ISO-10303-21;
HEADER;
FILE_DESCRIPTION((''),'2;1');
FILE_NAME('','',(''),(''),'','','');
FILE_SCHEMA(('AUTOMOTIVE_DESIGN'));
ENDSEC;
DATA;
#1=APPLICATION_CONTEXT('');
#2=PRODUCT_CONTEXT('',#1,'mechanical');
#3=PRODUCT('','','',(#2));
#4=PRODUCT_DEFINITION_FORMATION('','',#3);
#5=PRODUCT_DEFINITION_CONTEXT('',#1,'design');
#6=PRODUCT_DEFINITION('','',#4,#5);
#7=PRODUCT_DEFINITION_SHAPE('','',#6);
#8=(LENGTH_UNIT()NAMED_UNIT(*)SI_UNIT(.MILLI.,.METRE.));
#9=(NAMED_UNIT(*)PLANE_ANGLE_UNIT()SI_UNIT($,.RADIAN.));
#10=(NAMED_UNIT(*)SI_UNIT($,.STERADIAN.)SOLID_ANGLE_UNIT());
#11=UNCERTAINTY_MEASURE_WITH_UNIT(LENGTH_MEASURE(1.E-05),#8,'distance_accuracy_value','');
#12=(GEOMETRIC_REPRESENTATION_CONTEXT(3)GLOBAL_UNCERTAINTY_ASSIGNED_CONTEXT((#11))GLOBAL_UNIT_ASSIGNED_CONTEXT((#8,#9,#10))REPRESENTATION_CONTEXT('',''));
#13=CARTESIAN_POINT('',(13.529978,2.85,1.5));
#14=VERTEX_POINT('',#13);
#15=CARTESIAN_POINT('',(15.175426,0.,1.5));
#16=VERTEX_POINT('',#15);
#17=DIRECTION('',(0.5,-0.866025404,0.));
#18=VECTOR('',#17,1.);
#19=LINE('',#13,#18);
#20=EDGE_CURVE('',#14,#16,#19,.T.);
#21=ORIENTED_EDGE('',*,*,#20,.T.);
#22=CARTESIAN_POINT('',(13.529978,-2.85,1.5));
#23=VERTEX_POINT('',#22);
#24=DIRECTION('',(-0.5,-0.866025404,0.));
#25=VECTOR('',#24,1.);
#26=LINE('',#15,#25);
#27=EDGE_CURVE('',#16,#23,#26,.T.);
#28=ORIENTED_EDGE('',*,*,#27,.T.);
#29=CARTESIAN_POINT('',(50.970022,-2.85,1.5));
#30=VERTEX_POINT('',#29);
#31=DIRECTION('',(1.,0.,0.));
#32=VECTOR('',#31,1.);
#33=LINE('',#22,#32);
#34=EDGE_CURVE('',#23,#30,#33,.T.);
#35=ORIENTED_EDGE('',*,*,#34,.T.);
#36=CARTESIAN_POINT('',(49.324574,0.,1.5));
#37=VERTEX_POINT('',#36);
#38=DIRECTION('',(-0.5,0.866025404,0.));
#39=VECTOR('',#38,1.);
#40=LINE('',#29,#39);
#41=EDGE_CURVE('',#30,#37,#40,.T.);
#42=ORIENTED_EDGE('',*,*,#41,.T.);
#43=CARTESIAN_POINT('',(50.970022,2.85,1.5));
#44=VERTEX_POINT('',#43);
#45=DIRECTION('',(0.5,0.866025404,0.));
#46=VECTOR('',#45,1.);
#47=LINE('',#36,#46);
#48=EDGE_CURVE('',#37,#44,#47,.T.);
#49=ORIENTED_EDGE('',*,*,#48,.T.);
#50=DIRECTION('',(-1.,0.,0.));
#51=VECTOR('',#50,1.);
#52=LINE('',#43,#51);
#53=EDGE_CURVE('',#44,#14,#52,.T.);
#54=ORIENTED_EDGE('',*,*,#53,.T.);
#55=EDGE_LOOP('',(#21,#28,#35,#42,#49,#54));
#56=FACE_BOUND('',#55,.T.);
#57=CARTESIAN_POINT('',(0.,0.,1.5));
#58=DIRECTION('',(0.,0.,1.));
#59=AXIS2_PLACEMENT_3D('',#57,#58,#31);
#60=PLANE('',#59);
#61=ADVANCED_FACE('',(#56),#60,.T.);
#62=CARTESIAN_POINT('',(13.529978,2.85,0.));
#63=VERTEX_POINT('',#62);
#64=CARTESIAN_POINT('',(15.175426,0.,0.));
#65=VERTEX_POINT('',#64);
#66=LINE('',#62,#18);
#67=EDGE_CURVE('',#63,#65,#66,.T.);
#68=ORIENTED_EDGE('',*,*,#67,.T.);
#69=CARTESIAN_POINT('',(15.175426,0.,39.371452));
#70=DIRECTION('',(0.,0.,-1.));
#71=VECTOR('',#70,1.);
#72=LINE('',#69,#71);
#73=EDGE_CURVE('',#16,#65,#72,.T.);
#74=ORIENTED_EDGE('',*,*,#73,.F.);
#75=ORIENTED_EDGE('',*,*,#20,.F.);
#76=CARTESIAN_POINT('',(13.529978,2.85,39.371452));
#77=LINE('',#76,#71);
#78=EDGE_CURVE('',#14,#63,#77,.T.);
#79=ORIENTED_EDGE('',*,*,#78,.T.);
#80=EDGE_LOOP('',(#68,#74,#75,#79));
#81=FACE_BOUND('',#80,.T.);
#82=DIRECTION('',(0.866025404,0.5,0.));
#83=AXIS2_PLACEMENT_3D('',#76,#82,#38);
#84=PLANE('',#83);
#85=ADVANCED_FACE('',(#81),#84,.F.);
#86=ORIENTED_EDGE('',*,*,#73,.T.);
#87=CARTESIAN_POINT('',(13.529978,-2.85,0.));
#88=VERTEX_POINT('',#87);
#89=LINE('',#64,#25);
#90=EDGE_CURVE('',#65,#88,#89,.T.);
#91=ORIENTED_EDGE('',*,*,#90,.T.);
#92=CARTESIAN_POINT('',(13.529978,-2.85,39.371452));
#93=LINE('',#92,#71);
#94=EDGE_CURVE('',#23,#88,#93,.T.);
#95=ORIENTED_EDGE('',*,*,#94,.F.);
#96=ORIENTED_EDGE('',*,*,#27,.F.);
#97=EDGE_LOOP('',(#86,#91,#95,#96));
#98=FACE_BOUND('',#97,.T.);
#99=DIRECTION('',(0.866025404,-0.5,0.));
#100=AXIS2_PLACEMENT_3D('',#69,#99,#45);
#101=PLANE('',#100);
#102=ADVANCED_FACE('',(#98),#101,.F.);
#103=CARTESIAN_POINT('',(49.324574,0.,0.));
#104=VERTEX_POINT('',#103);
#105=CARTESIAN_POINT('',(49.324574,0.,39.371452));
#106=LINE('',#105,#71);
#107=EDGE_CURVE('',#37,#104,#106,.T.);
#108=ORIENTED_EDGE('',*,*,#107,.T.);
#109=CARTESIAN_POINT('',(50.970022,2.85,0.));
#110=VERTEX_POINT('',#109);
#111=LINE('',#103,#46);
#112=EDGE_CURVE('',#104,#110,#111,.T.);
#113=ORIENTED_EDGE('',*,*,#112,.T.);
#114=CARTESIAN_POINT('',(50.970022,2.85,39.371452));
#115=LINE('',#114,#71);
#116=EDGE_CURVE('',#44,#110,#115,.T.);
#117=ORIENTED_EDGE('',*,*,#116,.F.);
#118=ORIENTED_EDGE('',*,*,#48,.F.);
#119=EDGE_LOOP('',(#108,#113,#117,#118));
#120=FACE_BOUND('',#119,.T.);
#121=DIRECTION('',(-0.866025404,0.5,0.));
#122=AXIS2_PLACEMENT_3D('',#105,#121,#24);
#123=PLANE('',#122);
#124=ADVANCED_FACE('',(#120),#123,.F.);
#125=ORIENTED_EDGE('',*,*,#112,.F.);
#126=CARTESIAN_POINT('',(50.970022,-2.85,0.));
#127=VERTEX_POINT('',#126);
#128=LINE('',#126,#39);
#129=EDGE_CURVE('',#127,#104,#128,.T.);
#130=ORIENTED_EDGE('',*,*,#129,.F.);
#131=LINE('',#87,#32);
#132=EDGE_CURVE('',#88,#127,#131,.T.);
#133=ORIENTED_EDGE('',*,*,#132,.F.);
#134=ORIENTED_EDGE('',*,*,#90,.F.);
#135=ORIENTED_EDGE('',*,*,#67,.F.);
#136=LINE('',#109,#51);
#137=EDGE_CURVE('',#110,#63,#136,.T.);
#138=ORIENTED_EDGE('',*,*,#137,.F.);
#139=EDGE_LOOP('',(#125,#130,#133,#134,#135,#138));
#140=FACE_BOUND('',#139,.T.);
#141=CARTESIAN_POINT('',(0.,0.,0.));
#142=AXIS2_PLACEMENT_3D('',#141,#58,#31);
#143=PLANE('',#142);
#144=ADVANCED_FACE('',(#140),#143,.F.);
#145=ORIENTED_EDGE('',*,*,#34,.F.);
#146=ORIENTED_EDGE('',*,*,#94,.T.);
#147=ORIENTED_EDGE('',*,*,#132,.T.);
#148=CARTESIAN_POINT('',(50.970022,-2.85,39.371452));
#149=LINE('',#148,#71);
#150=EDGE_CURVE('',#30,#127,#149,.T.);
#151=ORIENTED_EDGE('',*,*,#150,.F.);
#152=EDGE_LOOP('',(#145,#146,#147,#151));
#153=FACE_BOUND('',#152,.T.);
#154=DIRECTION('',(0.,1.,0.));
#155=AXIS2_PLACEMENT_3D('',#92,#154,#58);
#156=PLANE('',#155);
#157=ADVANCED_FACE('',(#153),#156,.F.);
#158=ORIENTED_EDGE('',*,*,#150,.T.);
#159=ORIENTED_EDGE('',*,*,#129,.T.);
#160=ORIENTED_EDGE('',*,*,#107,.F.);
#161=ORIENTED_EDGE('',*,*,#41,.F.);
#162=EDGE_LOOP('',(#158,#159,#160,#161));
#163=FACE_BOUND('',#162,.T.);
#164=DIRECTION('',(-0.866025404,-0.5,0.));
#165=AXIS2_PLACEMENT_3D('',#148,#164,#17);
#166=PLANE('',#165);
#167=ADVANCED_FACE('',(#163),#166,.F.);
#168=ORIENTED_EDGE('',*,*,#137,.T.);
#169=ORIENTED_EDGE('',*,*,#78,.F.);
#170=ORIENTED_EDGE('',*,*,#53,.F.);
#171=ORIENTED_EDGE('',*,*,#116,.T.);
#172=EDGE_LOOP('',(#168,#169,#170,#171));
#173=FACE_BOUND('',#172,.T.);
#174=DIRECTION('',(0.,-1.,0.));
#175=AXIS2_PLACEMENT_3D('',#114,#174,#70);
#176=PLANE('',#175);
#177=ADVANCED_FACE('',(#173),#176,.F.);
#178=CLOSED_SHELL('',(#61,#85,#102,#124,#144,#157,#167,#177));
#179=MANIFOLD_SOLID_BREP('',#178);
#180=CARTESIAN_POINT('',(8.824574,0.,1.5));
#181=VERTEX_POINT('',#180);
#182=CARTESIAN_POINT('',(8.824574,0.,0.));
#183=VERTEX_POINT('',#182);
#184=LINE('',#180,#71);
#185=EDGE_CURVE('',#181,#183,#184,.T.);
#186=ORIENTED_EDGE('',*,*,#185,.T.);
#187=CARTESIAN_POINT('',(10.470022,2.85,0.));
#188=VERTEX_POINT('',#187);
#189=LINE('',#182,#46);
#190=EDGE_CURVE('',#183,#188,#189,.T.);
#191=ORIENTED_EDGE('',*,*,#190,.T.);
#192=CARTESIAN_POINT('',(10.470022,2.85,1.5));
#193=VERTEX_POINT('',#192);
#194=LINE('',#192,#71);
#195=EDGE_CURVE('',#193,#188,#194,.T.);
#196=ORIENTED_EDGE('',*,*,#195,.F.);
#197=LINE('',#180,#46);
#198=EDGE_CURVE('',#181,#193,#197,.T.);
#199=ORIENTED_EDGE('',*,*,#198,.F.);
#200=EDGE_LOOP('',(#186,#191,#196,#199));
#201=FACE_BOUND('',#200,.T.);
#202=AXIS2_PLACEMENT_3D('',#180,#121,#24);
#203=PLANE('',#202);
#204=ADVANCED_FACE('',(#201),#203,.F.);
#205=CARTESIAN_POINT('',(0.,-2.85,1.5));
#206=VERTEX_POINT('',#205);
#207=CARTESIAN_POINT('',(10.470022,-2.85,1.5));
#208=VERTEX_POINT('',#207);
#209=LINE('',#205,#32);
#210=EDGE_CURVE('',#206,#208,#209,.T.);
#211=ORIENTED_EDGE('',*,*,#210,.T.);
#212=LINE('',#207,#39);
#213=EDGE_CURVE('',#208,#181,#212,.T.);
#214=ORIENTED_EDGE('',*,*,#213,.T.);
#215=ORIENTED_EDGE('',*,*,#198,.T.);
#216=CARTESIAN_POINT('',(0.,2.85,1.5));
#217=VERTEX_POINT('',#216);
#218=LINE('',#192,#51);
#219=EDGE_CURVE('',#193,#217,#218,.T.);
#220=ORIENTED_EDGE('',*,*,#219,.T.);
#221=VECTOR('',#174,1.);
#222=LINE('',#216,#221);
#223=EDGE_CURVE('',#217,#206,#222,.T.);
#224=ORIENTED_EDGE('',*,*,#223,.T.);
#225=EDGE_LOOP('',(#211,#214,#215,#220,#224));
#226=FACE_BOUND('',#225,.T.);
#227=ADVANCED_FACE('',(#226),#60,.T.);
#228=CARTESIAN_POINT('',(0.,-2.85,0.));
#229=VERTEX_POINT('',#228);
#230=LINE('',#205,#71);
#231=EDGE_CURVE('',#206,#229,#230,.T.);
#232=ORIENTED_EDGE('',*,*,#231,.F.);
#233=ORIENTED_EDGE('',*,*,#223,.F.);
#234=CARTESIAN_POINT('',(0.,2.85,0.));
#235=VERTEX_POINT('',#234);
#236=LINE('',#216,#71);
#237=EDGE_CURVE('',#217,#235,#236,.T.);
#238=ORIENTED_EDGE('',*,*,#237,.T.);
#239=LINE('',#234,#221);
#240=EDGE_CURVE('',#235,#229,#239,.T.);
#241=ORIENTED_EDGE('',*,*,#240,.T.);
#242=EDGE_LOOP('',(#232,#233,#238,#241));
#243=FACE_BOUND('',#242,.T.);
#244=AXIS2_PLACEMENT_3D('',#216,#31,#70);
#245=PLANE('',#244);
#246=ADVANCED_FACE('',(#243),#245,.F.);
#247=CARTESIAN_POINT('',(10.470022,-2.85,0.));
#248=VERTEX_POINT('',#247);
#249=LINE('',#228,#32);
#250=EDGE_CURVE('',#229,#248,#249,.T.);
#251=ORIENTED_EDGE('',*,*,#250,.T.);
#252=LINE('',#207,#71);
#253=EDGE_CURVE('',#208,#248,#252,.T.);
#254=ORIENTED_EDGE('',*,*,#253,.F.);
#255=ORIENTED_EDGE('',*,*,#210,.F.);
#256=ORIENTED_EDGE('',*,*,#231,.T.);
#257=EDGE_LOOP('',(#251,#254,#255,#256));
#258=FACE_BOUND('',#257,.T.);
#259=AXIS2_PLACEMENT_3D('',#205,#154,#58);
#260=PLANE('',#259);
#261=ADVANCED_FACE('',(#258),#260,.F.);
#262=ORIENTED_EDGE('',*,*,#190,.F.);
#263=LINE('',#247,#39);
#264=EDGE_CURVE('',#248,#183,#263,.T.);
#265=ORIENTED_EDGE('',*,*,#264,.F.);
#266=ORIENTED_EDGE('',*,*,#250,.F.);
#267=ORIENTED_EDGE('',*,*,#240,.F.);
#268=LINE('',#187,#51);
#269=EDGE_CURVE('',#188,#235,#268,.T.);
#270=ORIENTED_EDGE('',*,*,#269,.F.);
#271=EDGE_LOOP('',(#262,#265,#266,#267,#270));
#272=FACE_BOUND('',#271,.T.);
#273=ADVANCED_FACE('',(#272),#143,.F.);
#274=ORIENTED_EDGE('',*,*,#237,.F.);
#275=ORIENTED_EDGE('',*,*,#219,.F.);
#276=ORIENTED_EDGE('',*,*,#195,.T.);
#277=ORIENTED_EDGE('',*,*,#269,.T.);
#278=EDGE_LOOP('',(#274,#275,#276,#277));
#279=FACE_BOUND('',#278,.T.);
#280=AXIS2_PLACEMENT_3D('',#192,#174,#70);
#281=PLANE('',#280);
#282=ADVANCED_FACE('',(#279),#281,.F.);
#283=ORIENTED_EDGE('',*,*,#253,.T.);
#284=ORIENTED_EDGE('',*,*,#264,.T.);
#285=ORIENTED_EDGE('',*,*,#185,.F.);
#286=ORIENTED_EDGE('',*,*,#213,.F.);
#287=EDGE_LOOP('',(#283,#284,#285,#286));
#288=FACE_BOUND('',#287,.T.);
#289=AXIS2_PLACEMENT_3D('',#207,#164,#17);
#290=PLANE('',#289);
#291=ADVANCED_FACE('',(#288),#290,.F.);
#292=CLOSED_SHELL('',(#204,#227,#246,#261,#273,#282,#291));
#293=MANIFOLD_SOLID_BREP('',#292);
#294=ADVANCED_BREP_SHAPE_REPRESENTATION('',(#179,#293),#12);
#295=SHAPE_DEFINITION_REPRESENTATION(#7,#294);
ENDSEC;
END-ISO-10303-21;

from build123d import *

# Parameters (mm, degrees)
BOSS_EXTRUDE1_DEPTH = 1.5
BOSS_EXTRUDE2_DEPTH = 1.5


with BuildPart() as part:
    # Sketch2 → Boss-Extrude1 (new body)
    with BuildSketch(Plane.XY):
        Polygon((0, 2.85), (0, -2.85), (10.470021787, -2.85), (8.824573519, 0), (10.470021787, 2.85), align=None)
    extrude(amount=BOSS_EXTRUDE1_DEPTH)


with BuildPart() as body_2:
    # Sketch3 → Boss-Extrude2 (new body)
    with BuildSketch(Plane.XY):
        Polygon((13.529978213, 2.85), (15.175426481, 0), (13.529978213, -2.85), (50.970021787, -2.85), (49.324573519, 0), (50.970021787, 2.85), align=None)
    extrude(amount=BOSS_EXTRUDE2_DEPTH)


solid = Compound([part.part, body_2.part])
